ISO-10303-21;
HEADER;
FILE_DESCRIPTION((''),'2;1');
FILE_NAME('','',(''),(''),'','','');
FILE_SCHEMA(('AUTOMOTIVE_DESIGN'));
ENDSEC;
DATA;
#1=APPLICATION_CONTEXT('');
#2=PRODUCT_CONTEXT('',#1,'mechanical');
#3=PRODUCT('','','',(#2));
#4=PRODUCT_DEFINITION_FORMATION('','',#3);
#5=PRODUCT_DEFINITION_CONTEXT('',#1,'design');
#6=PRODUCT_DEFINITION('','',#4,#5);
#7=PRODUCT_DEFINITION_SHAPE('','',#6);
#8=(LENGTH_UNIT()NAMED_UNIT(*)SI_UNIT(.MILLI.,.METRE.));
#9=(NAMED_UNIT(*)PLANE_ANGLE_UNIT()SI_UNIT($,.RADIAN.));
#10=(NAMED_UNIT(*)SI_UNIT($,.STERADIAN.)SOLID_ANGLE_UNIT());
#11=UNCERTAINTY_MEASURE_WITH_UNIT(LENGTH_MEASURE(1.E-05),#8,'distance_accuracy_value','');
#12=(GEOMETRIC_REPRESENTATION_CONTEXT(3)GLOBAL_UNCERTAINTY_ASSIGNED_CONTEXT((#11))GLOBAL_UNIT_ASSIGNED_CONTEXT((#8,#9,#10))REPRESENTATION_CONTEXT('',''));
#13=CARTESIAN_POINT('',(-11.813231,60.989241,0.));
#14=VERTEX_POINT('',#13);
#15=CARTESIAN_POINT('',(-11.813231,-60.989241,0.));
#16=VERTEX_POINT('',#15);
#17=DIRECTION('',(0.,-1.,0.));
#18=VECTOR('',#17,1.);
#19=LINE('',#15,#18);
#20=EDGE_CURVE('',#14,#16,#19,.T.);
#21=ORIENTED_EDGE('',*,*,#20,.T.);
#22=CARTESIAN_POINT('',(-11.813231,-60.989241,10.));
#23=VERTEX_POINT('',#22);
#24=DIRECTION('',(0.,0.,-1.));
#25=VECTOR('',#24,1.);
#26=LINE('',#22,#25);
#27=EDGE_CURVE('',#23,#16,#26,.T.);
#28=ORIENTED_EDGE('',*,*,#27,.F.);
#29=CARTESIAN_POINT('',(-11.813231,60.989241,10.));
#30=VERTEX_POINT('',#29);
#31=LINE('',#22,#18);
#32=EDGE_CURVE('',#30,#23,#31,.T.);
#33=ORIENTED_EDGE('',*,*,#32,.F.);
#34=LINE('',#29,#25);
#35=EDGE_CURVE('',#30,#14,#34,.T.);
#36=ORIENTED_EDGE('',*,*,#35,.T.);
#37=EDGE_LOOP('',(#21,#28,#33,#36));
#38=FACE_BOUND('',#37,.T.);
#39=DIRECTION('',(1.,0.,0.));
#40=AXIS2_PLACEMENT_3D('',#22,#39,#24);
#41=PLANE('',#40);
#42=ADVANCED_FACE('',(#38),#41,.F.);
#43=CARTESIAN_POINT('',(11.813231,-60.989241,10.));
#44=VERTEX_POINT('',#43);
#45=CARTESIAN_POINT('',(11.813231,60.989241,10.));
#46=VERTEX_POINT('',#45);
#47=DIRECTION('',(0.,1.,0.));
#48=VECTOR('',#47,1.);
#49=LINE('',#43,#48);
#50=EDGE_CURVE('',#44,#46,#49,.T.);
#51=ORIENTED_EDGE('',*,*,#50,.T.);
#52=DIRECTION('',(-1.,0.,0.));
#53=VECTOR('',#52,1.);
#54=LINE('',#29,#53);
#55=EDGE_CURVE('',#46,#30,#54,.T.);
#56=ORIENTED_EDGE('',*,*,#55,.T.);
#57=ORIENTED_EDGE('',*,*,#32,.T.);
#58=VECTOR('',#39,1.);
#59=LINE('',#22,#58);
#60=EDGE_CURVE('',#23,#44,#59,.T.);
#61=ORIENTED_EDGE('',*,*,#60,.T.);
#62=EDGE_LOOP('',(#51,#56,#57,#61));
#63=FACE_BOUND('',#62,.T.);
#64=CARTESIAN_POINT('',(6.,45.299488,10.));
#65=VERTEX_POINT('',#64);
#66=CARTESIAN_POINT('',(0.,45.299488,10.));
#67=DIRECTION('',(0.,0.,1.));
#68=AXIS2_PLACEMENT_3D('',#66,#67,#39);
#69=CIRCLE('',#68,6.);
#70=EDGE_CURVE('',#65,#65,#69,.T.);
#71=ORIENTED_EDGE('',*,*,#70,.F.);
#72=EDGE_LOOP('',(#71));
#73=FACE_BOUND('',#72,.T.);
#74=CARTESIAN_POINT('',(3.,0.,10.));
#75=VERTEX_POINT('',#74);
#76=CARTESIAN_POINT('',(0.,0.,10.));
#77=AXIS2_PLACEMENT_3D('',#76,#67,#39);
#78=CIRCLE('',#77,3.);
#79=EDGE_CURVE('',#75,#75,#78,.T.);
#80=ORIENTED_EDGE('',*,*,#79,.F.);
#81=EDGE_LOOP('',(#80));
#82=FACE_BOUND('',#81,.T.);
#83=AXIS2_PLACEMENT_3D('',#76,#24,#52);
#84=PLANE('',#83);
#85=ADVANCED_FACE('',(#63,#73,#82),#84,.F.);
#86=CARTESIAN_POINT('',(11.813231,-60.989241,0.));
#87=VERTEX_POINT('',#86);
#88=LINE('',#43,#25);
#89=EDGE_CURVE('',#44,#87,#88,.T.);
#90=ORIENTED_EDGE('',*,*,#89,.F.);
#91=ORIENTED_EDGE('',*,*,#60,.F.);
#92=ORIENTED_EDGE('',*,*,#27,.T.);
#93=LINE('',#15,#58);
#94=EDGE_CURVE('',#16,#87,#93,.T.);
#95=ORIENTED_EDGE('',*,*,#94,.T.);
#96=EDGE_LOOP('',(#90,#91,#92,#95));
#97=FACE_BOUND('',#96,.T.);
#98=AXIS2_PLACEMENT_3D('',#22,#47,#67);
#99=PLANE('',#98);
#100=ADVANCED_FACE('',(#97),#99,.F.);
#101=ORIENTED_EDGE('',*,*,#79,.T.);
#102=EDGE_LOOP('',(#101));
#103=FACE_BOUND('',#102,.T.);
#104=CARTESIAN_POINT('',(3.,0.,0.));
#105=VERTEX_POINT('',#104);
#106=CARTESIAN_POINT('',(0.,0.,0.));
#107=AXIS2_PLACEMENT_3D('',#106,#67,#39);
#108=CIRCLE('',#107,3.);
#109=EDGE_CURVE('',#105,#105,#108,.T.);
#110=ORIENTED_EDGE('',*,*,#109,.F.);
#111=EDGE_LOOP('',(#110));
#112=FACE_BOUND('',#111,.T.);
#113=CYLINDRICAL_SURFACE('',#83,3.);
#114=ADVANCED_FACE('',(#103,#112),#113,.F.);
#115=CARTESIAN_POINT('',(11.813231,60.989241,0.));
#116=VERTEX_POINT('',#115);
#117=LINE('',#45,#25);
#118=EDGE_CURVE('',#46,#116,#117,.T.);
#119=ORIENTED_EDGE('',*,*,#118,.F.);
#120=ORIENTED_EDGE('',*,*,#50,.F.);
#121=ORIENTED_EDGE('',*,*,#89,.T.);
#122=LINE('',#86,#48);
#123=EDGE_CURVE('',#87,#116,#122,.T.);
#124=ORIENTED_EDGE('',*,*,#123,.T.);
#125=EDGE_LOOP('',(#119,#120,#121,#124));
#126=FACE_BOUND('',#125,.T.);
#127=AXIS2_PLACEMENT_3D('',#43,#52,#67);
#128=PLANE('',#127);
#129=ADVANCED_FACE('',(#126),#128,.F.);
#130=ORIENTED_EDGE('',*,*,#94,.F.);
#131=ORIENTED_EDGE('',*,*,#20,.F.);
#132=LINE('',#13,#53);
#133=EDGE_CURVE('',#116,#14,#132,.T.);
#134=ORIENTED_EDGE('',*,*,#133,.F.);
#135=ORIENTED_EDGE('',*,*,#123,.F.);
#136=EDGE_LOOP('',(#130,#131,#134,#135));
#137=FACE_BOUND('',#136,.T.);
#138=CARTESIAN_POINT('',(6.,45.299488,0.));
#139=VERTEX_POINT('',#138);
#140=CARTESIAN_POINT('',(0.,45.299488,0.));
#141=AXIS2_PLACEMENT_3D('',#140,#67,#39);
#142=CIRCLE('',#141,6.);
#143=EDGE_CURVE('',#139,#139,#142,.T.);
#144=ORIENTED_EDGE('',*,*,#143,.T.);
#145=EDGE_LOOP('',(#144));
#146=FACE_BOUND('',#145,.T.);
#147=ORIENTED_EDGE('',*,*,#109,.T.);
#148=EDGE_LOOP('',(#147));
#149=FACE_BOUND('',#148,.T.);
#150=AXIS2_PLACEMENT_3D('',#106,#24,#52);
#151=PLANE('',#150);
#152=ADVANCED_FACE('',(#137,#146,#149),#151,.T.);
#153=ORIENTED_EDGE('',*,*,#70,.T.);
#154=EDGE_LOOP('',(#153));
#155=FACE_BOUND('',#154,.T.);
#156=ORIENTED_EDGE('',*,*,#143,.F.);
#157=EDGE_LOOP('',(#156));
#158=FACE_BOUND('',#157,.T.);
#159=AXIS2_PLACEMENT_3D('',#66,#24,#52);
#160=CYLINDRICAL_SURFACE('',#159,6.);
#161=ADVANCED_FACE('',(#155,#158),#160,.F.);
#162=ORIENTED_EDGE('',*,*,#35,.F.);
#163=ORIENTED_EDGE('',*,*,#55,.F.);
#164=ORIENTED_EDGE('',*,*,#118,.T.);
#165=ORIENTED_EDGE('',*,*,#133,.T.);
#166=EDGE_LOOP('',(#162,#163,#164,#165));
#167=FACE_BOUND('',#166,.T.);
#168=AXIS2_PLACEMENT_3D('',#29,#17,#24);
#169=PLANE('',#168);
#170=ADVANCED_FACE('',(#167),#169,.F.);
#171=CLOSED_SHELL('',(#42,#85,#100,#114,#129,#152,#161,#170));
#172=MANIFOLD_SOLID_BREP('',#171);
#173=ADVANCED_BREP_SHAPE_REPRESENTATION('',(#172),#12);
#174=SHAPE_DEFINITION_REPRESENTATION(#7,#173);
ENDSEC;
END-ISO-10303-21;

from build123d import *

# Parameters (mm, degrees)
SKETCH1_W           = 23.626462912
SKETCH1_H           = 121.978482936
SKETCH1_R           = 3
SKETCH1_R_2         = 6
BOSS_EXTRUDE1_DEPTH = 10


with BuildPart() as part:
    # Sketch1 → Boss-Extrude1 (new body)
    with BuildSketch(Plane.XY):
        Rectangle(SKETCH1_W, SKETCH1_H)
        Circle(SKETCH1_R, mode=Mode.SUBTRACT)
        with Locations((0, 45.299488294)):
            Circle(SKETCH1_R_2, mode=Mode.SUBTRACT)
    extrude(amount=BOSS_EXTRUDE1_DEPTH)


solid = part.part
